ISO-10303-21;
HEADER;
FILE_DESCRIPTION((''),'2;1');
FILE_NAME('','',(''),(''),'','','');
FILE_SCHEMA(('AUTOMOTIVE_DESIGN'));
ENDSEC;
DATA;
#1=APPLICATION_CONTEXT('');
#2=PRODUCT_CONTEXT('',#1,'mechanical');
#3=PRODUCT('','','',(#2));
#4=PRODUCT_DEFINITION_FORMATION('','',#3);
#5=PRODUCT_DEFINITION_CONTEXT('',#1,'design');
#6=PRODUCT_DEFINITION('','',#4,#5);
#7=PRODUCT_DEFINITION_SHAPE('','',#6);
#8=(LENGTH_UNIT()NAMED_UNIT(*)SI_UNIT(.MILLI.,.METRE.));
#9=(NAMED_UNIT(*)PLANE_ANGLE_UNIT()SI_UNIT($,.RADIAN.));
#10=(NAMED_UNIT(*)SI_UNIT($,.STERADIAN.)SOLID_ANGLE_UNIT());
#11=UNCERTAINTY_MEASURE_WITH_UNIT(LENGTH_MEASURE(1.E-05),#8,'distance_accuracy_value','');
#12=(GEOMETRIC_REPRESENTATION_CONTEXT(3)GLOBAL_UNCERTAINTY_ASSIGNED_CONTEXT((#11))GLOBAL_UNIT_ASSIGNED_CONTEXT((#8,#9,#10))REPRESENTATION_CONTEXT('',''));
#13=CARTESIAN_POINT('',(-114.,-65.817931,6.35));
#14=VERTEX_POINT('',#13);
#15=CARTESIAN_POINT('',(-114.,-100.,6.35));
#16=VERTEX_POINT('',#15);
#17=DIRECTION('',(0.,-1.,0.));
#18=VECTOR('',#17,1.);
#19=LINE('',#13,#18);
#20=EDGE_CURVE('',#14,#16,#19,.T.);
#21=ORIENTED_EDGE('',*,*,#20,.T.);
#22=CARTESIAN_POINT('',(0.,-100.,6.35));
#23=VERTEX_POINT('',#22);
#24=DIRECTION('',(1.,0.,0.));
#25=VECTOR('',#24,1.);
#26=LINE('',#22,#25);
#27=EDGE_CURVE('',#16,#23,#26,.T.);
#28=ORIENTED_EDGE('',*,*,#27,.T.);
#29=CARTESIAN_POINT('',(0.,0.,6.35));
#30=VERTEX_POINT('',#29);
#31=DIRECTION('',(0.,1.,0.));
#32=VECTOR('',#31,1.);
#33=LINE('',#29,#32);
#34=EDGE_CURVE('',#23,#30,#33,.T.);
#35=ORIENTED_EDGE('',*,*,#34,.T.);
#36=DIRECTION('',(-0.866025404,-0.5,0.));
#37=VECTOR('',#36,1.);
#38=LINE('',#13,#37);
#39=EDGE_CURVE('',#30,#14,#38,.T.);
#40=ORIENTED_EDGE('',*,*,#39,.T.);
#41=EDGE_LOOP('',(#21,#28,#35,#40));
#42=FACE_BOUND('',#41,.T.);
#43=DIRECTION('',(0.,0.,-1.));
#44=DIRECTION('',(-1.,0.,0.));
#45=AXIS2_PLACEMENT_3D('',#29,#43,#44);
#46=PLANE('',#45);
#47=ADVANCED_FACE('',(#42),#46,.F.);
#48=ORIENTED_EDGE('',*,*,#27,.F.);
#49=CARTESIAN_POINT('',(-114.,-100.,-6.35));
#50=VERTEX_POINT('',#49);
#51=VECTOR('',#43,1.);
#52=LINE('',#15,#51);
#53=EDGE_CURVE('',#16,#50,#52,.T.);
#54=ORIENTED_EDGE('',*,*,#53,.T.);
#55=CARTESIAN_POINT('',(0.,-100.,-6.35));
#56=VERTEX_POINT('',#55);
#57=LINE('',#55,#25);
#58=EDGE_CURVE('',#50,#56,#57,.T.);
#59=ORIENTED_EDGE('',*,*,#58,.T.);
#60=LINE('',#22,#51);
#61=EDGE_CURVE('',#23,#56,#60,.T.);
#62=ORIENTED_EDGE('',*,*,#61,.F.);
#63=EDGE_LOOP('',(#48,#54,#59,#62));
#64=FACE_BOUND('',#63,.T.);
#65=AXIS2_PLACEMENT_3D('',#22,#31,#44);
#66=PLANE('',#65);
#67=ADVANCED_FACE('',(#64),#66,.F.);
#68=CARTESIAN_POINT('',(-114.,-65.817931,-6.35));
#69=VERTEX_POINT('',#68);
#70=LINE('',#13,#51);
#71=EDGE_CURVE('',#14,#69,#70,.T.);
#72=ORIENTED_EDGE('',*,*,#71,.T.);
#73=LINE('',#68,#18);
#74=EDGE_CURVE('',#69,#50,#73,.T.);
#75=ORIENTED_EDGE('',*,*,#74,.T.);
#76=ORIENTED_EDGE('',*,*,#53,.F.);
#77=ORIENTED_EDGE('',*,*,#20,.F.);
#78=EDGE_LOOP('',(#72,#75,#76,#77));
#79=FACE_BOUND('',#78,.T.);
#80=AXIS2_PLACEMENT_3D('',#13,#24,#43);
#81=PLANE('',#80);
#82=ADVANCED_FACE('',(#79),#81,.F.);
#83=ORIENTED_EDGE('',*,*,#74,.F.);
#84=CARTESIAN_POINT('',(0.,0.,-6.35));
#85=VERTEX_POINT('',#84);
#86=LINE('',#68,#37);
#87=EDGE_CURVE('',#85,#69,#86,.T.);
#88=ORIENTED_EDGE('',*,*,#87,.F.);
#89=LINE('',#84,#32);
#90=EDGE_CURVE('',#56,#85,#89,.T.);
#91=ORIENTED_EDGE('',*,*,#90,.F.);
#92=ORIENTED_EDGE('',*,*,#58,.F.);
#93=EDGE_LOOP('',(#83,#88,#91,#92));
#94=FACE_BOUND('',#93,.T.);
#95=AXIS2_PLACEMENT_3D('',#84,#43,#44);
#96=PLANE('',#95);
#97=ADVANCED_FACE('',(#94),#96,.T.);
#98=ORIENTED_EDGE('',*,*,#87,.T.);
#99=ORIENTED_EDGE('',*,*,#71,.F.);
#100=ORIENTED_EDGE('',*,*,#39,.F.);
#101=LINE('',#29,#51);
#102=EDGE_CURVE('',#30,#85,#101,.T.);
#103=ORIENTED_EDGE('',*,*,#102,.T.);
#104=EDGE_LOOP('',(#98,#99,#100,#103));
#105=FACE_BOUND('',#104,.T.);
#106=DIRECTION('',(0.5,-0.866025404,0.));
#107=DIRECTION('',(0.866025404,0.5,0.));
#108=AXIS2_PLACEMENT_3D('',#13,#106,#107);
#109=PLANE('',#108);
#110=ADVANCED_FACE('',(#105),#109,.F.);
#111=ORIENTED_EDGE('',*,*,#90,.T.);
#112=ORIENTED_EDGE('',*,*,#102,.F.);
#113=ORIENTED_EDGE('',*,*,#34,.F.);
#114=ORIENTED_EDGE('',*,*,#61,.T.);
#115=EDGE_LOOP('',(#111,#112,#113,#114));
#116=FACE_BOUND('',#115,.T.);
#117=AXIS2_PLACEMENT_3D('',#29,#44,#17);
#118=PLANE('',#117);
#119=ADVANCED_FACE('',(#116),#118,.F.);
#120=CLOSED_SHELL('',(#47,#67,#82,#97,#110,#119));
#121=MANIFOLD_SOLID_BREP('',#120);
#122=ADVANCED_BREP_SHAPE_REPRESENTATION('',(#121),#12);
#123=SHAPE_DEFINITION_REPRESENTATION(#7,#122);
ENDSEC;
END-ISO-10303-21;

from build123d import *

# Parameters (mm, degrees)
BOSS_EXTRUDE1_DEPTH = 6.35


with BuildPart() as part:
    # Sketch1 → Boss-Extrude1 (new, symmetric)
    with BuildSketch(Plane.XY):
        Polygon((0, 0), (0, -100), (-114, -100), (-114, -65.817930688), align=None)
    extrude(amount=BOSS_EXTRUDE1_DEPTH, both=True)


solid = part.part
